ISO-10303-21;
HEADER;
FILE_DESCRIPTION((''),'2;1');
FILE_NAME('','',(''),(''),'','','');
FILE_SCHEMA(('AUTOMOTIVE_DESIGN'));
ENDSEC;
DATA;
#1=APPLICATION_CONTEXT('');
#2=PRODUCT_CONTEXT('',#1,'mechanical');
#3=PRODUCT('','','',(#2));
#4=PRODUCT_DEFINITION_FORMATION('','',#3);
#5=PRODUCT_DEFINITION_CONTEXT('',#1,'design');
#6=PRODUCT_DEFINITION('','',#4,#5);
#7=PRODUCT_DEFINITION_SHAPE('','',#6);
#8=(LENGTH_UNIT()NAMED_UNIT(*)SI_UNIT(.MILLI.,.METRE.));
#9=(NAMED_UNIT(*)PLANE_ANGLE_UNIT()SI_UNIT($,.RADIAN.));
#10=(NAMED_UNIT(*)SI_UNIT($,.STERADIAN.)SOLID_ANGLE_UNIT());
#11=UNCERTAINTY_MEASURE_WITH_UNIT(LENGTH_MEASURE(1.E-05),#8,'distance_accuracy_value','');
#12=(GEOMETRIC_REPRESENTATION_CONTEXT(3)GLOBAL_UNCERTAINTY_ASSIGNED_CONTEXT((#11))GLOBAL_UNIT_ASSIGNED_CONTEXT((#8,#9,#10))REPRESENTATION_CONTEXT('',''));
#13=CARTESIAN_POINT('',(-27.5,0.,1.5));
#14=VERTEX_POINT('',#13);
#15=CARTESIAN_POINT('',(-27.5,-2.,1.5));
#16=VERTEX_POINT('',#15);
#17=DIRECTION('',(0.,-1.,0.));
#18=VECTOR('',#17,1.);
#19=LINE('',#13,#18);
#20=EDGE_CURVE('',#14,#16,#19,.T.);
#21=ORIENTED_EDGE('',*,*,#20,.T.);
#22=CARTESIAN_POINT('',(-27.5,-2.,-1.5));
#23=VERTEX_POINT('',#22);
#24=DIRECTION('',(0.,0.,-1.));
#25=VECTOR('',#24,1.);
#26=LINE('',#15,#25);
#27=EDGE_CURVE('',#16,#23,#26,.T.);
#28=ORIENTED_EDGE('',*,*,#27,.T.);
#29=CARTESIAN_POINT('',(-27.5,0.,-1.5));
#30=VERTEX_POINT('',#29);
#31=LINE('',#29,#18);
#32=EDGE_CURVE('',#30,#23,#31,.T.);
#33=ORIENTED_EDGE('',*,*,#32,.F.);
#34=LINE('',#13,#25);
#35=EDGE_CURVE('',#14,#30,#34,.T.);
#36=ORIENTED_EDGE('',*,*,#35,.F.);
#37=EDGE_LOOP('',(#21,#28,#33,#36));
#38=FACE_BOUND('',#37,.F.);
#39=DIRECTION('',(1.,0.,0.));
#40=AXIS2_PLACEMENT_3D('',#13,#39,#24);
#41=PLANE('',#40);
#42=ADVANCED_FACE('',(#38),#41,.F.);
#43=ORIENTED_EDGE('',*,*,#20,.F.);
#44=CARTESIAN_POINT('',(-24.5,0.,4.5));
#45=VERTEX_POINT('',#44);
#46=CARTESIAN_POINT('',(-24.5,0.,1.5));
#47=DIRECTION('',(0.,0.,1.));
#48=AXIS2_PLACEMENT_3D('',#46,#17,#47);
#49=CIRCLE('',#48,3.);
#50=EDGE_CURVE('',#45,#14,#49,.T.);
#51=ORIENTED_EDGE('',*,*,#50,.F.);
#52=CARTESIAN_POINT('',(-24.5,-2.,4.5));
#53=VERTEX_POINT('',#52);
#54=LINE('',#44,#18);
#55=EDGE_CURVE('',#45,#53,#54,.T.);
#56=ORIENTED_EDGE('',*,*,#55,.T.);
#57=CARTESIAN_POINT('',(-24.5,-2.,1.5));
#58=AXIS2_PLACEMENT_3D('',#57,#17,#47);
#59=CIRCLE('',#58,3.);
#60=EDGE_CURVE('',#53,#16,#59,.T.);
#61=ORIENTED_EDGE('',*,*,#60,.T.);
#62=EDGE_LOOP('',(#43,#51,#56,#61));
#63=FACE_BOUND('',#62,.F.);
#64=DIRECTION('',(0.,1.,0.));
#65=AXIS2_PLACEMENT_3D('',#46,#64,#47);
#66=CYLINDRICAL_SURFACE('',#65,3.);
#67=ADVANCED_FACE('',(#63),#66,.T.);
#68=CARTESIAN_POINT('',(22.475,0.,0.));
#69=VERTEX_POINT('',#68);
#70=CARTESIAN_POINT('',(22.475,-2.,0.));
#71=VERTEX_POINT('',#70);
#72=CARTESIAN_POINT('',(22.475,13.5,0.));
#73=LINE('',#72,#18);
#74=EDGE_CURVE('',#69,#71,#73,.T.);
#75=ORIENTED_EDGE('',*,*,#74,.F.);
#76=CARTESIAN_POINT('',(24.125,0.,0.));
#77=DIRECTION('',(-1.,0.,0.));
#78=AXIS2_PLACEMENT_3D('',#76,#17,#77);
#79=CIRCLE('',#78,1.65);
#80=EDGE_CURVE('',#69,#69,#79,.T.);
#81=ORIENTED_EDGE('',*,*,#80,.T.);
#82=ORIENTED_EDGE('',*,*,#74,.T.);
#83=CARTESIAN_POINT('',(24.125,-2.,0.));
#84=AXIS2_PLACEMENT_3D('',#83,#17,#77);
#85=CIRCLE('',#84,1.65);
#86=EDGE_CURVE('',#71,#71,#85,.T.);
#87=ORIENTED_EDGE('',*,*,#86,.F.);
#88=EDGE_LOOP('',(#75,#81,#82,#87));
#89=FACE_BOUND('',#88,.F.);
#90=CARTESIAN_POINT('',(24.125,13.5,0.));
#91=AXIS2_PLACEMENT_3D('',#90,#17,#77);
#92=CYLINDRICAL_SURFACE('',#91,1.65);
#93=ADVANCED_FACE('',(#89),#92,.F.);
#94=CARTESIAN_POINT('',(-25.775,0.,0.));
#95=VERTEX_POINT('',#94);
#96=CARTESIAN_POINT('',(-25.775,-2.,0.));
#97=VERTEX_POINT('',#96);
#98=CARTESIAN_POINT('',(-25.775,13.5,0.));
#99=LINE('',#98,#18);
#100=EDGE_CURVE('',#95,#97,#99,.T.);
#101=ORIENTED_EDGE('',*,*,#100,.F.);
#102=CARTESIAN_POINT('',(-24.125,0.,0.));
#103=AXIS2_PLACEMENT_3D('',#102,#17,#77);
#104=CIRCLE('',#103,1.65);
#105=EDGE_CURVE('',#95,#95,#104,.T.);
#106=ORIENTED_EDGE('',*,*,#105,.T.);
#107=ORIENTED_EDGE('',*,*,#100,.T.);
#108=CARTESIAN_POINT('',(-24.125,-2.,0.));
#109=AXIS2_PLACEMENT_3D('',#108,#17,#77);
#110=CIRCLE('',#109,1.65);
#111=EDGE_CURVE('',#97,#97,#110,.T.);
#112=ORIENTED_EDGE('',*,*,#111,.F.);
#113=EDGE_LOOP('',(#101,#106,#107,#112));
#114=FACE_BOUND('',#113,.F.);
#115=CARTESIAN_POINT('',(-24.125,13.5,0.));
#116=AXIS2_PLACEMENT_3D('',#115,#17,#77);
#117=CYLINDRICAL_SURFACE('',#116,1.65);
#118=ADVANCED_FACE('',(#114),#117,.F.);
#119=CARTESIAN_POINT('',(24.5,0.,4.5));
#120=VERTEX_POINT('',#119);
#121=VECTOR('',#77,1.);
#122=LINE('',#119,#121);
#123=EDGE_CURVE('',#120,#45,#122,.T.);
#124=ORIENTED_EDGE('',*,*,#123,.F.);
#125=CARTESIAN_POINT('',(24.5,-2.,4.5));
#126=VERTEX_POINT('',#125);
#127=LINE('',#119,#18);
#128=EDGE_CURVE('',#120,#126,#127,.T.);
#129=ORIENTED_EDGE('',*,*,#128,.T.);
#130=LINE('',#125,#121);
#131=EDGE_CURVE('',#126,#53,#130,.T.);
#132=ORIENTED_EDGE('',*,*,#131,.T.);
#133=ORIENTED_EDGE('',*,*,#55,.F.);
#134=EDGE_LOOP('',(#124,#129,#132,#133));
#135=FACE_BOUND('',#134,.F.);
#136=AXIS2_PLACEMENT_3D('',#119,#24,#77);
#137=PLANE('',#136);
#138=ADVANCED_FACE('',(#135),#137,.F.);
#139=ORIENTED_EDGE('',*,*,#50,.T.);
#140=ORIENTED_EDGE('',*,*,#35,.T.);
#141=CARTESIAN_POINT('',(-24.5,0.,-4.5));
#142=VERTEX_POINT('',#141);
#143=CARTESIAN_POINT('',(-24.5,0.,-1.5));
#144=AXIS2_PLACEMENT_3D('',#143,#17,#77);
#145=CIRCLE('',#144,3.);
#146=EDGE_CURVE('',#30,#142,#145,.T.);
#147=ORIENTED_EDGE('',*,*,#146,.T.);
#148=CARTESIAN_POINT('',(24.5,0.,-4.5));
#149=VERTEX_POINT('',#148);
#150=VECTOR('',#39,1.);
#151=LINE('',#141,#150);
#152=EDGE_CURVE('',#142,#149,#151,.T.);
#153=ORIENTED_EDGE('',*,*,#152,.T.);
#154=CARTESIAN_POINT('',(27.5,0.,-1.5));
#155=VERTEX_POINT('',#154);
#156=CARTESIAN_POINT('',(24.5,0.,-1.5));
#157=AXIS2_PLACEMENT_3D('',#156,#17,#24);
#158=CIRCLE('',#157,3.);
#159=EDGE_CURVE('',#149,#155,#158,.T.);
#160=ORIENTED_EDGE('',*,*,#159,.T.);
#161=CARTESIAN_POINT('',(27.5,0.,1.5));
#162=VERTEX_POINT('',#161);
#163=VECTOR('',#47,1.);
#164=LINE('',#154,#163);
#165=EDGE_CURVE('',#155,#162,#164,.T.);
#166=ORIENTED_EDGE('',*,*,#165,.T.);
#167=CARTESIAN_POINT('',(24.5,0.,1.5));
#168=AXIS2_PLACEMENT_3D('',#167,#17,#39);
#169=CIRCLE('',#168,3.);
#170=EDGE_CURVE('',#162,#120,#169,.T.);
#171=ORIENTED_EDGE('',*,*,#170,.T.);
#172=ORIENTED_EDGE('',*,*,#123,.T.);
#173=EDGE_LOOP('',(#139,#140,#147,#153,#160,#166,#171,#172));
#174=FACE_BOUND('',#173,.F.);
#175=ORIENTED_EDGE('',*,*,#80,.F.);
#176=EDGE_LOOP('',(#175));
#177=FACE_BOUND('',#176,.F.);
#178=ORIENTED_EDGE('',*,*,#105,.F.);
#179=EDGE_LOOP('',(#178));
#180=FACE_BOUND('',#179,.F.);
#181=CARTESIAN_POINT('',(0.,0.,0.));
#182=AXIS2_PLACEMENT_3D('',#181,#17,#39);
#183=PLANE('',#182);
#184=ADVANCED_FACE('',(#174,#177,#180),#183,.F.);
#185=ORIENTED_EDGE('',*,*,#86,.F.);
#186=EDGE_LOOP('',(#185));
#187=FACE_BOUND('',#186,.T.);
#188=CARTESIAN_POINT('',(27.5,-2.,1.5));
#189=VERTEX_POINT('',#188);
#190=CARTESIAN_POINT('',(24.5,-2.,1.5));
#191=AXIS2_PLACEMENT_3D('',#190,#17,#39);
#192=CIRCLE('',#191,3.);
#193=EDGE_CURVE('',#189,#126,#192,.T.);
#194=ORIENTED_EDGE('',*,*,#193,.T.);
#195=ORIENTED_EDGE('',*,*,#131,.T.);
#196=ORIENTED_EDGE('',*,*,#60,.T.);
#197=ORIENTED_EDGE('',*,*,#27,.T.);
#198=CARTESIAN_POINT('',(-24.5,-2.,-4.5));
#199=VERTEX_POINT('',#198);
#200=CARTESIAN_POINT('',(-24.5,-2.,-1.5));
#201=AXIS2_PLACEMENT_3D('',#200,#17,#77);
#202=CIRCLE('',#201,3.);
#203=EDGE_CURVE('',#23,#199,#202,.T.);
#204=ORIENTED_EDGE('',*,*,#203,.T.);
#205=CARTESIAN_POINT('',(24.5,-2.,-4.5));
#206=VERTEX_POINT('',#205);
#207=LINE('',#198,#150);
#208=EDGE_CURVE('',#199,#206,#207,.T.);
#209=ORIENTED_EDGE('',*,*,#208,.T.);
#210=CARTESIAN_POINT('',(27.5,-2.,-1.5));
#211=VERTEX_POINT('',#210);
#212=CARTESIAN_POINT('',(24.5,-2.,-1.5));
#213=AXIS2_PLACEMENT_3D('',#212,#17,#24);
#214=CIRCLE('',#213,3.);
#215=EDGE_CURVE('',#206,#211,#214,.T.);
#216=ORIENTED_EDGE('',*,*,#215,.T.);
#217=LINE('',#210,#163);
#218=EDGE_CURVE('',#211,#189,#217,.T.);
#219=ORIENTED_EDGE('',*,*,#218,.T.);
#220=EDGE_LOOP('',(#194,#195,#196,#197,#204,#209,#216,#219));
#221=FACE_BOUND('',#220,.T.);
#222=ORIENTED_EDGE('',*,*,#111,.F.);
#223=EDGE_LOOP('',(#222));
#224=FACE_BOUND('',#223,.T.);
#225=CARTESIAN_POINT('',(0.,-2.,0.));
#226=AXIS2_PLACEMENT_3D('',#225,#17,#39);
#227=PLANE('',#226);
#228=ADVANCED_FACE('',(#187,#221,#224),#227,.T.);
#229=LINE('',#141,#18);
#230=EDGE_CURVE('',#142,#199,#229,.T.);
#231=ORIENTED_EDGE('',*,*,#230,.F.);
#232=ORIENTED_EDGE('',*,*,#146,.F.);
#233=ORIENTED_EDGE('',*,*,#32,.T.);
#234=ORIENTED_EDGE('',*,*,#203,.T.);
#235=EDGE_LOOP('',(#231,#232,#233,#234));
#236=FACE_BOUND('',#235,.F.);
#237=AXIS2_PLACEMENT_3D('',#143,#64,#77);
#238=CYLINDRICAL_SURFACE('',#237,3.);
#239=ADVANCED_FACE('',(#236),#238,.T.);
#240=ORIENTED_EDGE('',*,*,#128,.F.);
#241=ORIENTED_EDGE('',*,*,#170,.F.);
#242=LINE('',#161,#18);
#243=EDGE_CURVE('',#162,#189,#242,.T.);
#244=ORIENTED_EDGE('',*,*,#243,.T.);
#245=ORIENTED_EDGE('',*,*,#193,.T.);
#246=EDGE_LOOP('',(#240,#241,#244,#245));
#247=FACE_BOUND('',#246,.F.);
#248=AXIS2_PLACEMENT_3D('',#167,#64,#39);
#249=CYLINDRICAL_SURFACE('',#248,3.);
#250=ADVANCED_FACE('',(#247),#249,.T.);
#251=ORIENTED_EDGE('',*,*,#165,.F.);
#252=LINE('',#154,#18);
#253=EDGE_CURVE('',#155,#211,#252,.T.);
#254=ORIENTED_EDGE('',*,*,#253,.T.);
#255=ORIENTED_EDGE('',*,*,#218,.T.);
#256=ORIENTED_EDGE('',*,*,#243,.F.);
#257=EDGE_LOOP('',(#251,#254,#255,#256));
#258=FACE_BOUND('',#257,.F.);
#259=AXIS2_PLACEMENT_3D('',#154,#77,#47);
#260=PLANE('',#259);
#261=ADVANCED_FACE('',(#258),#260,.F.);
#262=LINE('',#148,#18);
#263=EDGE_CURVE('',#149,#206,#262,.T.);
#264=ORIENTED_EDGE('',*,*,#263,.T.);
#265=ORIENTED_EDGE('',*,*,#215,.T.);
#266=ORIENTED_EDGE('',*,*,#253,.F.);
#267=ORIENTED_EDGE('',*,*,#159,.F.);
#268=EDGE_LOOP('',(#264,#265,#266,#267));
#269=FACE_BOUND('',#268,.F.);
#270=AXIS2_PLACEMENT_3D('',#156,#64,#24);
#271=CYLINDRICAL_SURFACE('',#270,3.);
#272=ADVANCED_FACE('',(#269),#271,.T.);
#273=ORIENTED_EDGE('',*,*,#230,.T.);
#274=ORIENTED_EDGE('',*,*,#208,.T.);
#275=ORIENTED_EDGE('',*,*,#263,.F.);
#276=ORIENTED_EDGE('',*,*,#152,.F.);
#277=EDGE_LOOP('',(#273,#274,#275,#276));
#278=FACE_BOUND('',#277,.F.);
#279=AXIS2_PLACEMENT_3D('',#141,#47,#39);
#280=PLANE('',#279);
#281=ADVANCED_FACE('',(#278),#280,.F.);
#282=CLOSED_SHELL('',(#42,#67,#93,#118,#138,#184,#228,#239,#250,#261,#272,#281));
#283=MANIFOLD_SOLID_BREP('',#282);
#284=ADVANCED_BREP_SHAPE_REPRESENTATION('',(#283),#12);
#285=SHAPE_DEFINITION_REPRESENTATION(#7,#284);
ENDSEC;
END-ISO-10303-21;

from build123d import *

# Parameters (mm, degrees)
F1_DEPTH = 2
F2_D     = 3.3
F2_DEPTH = 13.5
F2_TIP   = 0.9914200214


with BuildPart() as f1:
    # F0 (on Front) → F1 (new body)
    with BuildSketch(Plane.XZ):
        with BuildLine():
            Line((-24.5, -4.5), (24.5, -4.5))
            ThreePointArc((24.5, -4.5), (26.6213203436, -3.6213203436), (27.5, -1.5))
            Line((27.5, -1.5), (27.5, 1.5))
            ThreePointArc((27.5, 1.5), (26.6213203436, 3.6213203436), (24.5, 4.5))
            Line((24.5, 4.5), (-24.5, 4.5))
            ThreePointArc((-24.5, 4.5), (-26.6213203436, 3.6213203436), (-27.5, 1.5))
            Line((-27.5, 1.5), (-27.5, -1.5))
            ThreePointArc((-27.5, -1.5), (-26.6213203436, -3.6213203436), (-24.5, -4.5))
        make_face()
    extrude(amount=F1_DEPTH)

    # F2
    with Locations(Plane(origin=(0, 0, 0), x_dir=(1, 0, 0), z_dir=(0, 1, 0))):
        with Locations((24.125, 0), (-24.125, 0)):
            Hole(F2_D / 2, depth=F2_DEPTH)
            with Locations((0, 0, -(F2_DEPTH + F2_TIP / 2))):  # 118° drill point
                Cone(0, F2_D / 2, F2_TIP, mode=Mode.SUBTRACT)


solid = f1.part
